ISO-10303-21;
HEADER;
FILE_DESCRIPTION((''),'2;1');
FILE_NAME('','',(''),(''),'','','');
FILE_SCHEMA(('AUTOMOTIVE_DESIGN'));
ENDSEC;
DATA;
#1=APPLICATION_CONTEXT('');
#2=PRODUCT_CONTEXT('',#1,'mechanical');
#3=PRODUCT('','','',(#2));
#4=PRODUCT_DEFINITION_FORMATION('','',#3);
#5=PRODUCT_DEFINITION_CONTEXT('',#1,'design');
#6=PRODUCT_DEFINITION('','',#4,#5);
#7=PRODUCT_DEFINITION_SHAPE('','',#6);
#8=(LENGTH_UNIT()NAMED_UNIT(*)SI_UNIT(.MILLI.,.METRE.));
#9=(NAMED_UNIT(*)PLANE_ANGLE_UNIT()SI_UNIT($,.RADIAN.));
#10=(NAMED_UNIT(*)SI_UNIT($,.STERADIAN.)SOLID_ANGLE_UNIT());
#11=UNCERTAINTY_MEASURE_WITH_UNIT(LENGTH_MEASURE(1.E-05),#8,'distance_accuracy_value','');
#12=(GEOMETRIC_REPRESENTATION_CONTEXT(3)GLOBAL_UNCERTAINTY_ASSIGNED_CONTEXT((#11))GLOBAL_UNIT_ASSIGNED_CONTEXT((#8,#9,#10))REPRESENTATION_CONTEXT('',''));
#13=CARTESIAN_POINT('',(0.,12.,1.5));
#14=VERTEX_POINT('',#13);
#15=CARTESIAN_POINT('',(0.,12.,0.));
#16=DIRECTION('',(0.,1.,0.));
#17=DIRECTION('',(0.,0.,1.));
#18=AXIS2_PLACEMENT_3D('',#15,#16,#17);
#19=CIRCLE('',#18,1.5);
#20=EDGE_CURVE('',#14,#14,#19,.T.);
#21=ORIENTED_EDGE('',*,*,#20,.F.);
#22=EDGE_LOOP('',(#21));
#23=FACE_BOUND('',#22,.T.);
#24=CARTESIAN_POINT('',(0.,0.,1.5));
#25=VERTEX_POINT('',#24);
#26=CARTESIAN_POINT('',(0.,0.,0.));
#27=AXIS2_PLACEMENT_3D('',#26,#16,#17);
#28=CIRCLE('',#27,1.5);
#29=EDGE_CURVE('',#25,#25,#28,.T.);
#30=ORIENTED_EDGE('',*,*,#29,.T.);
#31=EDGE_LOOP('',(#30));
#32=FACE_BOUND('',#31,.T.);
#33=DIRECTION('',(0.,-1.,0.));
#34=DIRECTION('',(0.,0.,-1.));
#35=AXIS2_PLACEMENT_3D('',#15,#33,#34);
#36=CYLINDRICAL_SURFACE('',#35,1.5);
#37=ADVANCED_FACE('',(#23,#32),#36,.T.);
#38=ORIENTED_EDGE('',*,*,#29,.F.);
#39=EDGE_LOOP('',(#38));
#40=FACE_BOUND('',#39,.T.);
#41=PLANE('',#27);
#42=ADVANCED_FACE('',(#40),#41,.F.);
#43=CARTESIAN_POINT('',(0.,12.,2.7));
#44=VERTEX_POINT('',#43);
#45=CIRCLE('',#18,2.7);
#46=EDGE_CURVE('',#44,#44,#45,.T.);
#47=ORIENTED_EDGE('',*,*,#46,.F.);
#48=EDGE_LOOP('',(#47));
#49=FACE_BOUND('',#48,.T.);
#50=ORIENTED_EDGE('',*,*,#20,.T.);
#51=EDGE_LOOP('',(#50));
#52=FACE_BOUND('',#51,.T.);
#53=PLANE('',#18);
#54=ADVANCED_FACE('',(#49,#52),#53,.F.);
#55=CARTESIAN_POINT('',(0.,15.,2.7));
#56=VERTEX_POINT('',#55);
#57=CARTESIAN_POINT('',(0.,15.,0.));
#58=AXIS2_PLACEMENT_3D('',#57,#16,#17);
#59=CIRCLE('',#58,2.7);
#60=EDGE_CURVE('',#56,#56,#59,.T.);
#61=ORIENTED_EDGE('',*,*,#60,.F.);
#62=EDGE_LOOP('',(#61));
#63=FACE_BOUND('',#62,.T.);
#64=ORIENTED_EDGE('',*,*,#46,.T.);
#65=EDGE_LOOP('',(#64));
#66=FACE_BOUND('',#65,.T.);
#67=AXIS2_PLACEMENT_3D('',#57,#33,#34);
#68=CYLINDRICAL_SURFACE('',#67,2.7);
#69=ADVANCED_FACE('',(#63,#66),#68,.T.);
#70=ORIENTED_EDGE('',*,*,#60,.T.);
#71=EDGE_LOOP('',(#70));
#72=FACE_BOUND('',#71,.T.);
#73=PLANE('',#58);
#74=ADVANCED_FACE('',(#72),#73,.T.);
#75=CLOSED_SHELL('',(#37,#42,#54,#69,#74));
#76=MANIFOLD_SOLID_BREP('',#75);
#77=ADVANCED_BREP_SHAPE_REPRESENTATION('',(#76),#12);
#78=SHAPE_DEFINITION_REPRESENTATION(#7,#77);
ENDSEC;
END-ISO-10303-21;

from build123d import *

# Parameters (mm, degrees)
SKETCH1_R           = 1.5
BOSS_EXTRUDE1_DEPTH = 12
SKETCH2_R           = 2.7
BOSS_EXTRUDE2_DEPTH = 3


with BuildPart() as part:
    # Sketch1 → Boss-Extrude1 (new body)
    with BuildSketch(Plane(origin=(0, 0, 0), x_dir=(1, 0, 0), z_dir=(0, 1, 0))):
        Circle(SKETCH1_R)
    extrude(amount=BOSS_EXTRUDE1_DEPTH)

    # Sketch2 → Boss-Extrude2 (add)
    with BuildSketch(Plane(origin=(0, 12, 0), x_dir=(1, 0, 0), z_dir=(0, 1, 0))):
        Circle(SKETCH2_R)
    extrude(amount=BOSS_EXTRUDE2_DEPTH)


solid = part.part
